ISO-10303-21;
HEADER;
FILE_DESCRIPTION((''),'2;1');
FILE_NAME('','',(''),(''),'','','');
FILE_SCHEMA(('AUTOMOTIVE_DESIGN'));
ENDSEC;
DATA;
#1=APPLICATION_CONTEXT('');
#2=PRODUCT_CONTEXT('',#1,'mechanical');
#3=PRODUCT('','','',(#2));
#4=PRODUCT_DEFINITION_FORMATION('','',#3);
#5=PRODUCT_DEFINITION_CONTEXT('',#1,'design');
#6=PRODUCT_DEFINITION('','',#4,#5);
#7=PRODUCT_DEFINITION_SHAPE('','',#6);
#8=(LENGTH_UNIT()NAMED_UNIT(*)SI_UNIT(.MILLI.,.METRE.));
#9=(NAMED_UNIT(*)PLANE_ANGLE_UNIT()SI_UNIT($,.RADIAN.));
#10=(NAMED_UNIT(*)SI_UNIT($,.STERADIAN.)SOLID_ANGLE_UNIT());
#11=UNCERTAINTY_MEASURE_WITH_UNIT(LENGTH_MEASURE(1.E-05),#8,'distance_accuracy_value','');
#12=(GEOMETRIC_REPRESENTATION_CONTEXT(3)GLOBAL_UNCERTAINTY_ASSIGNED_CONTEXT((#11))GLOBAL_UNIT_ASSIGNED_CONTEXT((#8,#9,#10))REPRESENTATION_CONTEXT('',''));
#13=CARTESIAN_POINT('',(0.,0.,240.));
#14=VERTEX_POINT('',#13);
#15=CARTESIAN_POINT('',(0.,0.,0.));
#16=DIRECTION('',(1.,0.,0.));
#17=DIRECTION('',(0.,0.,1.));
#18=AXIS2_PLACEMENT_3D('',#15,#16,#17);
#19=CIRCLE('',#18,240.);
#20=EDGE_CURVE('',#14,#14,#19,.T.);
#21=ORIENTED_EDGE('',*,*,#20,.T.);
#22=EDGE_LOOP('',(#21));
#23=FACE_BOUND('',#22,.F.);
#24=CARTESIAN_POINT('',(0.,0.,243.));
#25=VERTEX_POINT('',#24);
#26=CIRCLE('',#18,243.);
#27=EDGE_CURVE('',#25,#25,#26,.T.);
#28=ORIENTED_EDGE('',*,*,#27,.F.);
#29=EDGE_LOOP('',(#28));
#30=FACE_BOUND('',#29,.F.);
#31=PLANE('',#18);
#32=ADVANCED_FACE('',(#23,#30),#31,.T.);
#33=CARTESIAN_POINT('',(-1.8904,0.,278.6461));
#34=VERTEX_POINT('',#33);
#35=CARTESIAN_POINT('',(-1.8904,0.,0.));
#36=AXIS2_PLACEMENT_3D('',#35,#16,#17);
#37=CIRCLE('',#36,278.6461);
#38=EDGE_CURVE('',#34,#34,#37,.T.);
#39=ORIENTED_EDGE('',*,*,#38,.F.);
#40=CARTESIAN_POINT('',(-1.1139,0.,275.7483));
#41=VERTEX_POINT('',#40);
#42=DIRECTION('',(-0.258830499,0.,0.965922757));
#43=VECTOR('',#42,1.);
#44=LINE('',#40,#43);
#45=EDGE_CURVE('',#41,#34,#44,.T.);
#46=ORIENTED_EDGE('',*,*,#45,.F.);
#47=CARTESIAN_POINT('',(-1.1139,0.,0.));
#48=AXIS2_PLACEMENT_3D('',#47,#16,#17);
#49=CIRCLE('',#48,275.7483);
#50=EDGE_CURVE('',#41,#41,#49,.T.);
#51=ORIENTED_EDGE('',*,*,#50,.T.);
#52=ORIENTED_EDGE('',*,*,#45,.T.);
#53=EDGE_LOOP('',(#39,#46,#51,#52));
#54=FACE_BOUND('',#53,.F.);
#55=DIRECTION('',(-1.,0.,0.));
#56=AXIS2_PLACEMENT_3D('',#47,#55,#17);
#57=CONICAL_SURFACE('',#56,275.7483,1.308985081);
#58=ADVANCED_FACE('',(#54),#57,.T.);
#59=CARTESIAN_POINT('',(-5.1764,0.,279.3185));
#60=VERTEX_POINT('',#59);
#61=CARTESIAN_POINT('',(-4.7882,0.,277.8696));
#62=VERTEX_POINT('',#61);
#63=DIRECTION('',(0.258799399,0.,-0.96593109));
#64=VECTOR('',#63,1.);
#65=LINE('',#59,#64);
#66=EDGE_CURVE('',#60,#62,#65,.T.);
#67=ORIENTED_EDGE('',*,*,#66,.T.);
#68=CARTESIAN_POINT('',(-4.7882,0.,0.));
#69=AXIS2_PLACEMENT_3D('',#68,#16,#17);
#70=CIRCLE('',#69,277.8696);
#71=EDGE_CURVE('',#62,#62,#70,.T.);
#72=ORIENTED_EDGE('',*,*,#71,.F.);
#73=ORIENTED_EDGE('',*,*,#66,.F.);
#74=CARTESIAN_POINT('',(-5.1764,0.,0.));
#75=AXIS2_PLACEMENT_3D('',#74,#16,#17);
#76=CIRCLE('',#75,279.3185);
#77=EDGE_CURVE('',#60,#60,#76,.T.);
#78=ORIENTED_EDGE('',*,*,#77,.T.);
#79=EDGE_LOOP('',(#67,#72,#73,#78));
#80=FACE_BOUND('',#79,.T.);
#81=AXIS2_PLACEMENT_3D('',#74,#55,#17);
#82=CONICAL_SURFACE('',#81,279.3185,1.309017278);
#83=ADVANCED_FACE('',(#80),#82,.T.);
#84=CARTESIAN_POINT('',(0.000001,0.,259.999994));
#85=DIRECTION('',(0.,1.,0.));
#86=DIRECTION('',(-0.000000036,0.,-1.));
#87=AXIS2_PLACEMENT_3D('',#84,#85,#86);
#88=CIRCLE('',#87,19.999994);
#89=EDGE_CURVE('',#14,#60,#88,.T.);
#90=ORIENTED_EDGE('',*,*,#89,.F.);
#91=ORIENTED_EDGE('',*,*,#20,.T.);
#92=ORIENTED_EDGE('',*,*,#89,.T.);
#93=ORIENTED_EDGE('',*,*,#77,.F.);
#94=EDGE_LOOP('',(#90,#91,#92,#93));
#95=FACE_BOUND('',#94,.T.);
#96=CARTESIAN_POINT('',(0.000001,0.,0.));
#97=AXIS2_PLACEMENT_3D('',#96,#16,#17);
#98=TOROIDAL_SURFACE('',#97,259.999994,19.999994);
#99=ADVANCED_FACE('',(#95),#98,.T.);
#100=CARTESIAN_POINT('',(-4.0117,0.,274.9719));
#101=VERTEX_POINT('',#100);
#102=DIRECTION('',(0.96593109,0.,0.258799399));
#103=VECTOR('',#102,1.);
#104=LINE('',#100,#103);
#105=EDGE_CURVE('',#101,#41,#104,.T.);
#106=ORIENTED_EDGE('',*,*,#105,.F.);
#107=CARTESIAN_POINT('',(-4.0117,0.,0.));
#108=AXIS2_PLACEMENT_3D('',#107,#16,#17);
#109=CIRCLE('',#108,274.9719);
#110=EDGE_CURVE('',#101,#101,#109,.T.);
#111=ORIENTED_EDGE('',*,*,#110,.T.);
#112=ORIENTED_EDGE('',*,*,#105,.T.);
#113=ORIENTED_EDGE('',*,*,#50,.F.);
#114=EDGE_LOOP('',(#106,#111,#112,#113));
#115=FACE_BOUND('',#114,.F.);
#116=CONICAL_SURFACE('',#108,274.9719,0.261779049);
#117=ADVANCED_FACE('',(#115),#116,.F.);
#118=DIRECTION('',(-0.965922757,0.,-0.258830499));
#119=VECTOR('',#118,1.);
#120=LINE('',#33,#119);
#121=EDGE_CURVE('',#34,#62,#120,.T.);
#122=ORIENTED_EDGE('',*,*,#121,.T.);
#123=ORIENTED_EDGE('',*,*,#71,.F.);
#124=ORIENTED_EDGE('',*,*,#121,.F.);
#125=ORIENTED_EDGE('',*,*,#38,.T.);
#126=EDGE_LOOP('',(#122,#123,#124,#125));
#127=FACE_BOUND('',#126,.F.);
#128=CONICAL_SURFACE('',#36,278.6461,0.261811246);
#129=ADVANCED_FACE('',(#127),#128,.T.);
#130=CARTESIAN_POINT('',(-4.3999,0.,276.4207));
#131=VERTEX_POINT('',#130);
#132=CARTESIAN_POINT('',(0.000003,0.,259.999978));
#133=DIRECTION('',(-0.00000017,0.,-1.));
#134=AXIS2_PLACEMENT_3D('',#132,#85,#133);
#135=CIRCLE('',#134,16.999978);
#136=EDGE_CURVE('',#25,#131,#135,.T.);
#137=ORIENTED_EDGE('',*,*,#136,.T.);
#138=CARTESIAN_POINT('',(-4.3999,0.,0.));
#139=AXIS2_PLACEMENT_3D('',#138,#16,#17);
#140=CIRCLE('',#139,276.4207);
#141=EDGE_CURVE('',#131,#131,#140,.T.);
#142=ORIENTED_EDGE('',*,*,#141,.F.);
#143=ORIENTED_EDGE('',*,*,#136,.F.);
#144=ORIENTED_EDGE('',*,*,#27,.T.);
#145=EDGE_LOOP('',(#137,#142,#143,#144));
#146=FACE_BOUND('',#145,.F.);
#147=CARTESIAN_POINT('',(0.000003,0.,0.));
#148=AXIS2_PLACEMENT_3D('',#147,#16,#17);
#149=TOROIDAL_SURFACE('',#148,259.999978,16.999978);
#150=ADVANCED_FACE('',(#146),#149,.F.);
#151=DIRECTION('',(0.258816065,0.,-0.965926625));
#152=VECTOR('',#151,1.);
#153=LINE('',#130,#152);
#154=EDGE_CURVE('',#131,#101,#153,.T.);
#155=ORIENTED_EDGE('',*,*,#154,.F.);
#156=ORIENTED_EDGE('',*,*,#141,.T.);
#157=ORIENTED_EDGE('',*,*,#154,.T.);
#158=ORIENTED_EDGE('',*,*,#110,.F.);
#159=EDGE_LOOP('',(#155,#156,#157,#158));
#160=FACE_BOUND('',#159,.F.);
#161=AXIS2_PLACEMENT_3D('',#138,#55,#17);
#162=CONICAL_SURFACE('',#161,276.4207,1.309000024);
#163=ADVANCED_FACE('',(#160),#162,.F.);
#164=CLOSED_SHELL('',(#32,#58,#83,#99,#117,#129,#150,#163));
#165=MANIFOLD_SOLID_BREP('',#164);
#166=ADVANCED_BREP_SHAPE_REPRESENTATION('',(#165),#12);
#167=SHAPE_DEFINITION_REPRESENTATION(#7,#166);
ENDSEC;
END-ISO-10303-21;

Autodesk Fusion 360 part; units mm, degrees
sketch "Sketch1" plane through (0, 0, 0) normal (0, 1, 0) x (1, 0, 0)
  line L0 (0, 0) -> (0, -260) construction
  line L1 (0, -260) -> (0, -293.0516) construction
  arc A0 (0, -240) -> (-5.1764, -279.3185) centre (0, -260) ccw
  arc A1 (0, -243) -> (-4.3999, -276.4207) centre (0, -260) ccw
  line L2 (0, -260) -> (-1.2338, -260) construction
  line L3 (0, -260) -> (0, -261.669)
  line L4 (-4.3999, -276.4207) -> (-4.0117, -274.9719)
  line L5 (-4.0117, -274.9719) -> (-1.1139, -275.7483)
  line L6 (-1.1139, -275.7483) -> (-1.8904, -278.6461)
  line L7 (-1.8904, -278.6461) -> (-4.7882, -277.8696)
  line L8 (-5.1764, -279.3185) -> (-4.7882, -277.8696)
  line L9 (0, -260) -> (-4.3999, -276.4207) construction
  line L10 (-4.7882, -277.8696) -> (-7.1562, -286.7073) construction
  line L11 (0, -240) -> (0, -243)
  dimension "d2" = 40
  dimension "d3" = 34
  dimension "d4" = 15
  dimension "d6" = 3
  dimension "d7" = 3
  dimension "d8" = 3
  dimension "d10" = 240
  dimension "d11" = 260
revolve "Revolve1" add sketch "Sketch1" angle 360 about axis through (1.75, 0, 0) along (1, 0, 0)
equation "d3 = ( 17 * 2 ) * 1 mm"
